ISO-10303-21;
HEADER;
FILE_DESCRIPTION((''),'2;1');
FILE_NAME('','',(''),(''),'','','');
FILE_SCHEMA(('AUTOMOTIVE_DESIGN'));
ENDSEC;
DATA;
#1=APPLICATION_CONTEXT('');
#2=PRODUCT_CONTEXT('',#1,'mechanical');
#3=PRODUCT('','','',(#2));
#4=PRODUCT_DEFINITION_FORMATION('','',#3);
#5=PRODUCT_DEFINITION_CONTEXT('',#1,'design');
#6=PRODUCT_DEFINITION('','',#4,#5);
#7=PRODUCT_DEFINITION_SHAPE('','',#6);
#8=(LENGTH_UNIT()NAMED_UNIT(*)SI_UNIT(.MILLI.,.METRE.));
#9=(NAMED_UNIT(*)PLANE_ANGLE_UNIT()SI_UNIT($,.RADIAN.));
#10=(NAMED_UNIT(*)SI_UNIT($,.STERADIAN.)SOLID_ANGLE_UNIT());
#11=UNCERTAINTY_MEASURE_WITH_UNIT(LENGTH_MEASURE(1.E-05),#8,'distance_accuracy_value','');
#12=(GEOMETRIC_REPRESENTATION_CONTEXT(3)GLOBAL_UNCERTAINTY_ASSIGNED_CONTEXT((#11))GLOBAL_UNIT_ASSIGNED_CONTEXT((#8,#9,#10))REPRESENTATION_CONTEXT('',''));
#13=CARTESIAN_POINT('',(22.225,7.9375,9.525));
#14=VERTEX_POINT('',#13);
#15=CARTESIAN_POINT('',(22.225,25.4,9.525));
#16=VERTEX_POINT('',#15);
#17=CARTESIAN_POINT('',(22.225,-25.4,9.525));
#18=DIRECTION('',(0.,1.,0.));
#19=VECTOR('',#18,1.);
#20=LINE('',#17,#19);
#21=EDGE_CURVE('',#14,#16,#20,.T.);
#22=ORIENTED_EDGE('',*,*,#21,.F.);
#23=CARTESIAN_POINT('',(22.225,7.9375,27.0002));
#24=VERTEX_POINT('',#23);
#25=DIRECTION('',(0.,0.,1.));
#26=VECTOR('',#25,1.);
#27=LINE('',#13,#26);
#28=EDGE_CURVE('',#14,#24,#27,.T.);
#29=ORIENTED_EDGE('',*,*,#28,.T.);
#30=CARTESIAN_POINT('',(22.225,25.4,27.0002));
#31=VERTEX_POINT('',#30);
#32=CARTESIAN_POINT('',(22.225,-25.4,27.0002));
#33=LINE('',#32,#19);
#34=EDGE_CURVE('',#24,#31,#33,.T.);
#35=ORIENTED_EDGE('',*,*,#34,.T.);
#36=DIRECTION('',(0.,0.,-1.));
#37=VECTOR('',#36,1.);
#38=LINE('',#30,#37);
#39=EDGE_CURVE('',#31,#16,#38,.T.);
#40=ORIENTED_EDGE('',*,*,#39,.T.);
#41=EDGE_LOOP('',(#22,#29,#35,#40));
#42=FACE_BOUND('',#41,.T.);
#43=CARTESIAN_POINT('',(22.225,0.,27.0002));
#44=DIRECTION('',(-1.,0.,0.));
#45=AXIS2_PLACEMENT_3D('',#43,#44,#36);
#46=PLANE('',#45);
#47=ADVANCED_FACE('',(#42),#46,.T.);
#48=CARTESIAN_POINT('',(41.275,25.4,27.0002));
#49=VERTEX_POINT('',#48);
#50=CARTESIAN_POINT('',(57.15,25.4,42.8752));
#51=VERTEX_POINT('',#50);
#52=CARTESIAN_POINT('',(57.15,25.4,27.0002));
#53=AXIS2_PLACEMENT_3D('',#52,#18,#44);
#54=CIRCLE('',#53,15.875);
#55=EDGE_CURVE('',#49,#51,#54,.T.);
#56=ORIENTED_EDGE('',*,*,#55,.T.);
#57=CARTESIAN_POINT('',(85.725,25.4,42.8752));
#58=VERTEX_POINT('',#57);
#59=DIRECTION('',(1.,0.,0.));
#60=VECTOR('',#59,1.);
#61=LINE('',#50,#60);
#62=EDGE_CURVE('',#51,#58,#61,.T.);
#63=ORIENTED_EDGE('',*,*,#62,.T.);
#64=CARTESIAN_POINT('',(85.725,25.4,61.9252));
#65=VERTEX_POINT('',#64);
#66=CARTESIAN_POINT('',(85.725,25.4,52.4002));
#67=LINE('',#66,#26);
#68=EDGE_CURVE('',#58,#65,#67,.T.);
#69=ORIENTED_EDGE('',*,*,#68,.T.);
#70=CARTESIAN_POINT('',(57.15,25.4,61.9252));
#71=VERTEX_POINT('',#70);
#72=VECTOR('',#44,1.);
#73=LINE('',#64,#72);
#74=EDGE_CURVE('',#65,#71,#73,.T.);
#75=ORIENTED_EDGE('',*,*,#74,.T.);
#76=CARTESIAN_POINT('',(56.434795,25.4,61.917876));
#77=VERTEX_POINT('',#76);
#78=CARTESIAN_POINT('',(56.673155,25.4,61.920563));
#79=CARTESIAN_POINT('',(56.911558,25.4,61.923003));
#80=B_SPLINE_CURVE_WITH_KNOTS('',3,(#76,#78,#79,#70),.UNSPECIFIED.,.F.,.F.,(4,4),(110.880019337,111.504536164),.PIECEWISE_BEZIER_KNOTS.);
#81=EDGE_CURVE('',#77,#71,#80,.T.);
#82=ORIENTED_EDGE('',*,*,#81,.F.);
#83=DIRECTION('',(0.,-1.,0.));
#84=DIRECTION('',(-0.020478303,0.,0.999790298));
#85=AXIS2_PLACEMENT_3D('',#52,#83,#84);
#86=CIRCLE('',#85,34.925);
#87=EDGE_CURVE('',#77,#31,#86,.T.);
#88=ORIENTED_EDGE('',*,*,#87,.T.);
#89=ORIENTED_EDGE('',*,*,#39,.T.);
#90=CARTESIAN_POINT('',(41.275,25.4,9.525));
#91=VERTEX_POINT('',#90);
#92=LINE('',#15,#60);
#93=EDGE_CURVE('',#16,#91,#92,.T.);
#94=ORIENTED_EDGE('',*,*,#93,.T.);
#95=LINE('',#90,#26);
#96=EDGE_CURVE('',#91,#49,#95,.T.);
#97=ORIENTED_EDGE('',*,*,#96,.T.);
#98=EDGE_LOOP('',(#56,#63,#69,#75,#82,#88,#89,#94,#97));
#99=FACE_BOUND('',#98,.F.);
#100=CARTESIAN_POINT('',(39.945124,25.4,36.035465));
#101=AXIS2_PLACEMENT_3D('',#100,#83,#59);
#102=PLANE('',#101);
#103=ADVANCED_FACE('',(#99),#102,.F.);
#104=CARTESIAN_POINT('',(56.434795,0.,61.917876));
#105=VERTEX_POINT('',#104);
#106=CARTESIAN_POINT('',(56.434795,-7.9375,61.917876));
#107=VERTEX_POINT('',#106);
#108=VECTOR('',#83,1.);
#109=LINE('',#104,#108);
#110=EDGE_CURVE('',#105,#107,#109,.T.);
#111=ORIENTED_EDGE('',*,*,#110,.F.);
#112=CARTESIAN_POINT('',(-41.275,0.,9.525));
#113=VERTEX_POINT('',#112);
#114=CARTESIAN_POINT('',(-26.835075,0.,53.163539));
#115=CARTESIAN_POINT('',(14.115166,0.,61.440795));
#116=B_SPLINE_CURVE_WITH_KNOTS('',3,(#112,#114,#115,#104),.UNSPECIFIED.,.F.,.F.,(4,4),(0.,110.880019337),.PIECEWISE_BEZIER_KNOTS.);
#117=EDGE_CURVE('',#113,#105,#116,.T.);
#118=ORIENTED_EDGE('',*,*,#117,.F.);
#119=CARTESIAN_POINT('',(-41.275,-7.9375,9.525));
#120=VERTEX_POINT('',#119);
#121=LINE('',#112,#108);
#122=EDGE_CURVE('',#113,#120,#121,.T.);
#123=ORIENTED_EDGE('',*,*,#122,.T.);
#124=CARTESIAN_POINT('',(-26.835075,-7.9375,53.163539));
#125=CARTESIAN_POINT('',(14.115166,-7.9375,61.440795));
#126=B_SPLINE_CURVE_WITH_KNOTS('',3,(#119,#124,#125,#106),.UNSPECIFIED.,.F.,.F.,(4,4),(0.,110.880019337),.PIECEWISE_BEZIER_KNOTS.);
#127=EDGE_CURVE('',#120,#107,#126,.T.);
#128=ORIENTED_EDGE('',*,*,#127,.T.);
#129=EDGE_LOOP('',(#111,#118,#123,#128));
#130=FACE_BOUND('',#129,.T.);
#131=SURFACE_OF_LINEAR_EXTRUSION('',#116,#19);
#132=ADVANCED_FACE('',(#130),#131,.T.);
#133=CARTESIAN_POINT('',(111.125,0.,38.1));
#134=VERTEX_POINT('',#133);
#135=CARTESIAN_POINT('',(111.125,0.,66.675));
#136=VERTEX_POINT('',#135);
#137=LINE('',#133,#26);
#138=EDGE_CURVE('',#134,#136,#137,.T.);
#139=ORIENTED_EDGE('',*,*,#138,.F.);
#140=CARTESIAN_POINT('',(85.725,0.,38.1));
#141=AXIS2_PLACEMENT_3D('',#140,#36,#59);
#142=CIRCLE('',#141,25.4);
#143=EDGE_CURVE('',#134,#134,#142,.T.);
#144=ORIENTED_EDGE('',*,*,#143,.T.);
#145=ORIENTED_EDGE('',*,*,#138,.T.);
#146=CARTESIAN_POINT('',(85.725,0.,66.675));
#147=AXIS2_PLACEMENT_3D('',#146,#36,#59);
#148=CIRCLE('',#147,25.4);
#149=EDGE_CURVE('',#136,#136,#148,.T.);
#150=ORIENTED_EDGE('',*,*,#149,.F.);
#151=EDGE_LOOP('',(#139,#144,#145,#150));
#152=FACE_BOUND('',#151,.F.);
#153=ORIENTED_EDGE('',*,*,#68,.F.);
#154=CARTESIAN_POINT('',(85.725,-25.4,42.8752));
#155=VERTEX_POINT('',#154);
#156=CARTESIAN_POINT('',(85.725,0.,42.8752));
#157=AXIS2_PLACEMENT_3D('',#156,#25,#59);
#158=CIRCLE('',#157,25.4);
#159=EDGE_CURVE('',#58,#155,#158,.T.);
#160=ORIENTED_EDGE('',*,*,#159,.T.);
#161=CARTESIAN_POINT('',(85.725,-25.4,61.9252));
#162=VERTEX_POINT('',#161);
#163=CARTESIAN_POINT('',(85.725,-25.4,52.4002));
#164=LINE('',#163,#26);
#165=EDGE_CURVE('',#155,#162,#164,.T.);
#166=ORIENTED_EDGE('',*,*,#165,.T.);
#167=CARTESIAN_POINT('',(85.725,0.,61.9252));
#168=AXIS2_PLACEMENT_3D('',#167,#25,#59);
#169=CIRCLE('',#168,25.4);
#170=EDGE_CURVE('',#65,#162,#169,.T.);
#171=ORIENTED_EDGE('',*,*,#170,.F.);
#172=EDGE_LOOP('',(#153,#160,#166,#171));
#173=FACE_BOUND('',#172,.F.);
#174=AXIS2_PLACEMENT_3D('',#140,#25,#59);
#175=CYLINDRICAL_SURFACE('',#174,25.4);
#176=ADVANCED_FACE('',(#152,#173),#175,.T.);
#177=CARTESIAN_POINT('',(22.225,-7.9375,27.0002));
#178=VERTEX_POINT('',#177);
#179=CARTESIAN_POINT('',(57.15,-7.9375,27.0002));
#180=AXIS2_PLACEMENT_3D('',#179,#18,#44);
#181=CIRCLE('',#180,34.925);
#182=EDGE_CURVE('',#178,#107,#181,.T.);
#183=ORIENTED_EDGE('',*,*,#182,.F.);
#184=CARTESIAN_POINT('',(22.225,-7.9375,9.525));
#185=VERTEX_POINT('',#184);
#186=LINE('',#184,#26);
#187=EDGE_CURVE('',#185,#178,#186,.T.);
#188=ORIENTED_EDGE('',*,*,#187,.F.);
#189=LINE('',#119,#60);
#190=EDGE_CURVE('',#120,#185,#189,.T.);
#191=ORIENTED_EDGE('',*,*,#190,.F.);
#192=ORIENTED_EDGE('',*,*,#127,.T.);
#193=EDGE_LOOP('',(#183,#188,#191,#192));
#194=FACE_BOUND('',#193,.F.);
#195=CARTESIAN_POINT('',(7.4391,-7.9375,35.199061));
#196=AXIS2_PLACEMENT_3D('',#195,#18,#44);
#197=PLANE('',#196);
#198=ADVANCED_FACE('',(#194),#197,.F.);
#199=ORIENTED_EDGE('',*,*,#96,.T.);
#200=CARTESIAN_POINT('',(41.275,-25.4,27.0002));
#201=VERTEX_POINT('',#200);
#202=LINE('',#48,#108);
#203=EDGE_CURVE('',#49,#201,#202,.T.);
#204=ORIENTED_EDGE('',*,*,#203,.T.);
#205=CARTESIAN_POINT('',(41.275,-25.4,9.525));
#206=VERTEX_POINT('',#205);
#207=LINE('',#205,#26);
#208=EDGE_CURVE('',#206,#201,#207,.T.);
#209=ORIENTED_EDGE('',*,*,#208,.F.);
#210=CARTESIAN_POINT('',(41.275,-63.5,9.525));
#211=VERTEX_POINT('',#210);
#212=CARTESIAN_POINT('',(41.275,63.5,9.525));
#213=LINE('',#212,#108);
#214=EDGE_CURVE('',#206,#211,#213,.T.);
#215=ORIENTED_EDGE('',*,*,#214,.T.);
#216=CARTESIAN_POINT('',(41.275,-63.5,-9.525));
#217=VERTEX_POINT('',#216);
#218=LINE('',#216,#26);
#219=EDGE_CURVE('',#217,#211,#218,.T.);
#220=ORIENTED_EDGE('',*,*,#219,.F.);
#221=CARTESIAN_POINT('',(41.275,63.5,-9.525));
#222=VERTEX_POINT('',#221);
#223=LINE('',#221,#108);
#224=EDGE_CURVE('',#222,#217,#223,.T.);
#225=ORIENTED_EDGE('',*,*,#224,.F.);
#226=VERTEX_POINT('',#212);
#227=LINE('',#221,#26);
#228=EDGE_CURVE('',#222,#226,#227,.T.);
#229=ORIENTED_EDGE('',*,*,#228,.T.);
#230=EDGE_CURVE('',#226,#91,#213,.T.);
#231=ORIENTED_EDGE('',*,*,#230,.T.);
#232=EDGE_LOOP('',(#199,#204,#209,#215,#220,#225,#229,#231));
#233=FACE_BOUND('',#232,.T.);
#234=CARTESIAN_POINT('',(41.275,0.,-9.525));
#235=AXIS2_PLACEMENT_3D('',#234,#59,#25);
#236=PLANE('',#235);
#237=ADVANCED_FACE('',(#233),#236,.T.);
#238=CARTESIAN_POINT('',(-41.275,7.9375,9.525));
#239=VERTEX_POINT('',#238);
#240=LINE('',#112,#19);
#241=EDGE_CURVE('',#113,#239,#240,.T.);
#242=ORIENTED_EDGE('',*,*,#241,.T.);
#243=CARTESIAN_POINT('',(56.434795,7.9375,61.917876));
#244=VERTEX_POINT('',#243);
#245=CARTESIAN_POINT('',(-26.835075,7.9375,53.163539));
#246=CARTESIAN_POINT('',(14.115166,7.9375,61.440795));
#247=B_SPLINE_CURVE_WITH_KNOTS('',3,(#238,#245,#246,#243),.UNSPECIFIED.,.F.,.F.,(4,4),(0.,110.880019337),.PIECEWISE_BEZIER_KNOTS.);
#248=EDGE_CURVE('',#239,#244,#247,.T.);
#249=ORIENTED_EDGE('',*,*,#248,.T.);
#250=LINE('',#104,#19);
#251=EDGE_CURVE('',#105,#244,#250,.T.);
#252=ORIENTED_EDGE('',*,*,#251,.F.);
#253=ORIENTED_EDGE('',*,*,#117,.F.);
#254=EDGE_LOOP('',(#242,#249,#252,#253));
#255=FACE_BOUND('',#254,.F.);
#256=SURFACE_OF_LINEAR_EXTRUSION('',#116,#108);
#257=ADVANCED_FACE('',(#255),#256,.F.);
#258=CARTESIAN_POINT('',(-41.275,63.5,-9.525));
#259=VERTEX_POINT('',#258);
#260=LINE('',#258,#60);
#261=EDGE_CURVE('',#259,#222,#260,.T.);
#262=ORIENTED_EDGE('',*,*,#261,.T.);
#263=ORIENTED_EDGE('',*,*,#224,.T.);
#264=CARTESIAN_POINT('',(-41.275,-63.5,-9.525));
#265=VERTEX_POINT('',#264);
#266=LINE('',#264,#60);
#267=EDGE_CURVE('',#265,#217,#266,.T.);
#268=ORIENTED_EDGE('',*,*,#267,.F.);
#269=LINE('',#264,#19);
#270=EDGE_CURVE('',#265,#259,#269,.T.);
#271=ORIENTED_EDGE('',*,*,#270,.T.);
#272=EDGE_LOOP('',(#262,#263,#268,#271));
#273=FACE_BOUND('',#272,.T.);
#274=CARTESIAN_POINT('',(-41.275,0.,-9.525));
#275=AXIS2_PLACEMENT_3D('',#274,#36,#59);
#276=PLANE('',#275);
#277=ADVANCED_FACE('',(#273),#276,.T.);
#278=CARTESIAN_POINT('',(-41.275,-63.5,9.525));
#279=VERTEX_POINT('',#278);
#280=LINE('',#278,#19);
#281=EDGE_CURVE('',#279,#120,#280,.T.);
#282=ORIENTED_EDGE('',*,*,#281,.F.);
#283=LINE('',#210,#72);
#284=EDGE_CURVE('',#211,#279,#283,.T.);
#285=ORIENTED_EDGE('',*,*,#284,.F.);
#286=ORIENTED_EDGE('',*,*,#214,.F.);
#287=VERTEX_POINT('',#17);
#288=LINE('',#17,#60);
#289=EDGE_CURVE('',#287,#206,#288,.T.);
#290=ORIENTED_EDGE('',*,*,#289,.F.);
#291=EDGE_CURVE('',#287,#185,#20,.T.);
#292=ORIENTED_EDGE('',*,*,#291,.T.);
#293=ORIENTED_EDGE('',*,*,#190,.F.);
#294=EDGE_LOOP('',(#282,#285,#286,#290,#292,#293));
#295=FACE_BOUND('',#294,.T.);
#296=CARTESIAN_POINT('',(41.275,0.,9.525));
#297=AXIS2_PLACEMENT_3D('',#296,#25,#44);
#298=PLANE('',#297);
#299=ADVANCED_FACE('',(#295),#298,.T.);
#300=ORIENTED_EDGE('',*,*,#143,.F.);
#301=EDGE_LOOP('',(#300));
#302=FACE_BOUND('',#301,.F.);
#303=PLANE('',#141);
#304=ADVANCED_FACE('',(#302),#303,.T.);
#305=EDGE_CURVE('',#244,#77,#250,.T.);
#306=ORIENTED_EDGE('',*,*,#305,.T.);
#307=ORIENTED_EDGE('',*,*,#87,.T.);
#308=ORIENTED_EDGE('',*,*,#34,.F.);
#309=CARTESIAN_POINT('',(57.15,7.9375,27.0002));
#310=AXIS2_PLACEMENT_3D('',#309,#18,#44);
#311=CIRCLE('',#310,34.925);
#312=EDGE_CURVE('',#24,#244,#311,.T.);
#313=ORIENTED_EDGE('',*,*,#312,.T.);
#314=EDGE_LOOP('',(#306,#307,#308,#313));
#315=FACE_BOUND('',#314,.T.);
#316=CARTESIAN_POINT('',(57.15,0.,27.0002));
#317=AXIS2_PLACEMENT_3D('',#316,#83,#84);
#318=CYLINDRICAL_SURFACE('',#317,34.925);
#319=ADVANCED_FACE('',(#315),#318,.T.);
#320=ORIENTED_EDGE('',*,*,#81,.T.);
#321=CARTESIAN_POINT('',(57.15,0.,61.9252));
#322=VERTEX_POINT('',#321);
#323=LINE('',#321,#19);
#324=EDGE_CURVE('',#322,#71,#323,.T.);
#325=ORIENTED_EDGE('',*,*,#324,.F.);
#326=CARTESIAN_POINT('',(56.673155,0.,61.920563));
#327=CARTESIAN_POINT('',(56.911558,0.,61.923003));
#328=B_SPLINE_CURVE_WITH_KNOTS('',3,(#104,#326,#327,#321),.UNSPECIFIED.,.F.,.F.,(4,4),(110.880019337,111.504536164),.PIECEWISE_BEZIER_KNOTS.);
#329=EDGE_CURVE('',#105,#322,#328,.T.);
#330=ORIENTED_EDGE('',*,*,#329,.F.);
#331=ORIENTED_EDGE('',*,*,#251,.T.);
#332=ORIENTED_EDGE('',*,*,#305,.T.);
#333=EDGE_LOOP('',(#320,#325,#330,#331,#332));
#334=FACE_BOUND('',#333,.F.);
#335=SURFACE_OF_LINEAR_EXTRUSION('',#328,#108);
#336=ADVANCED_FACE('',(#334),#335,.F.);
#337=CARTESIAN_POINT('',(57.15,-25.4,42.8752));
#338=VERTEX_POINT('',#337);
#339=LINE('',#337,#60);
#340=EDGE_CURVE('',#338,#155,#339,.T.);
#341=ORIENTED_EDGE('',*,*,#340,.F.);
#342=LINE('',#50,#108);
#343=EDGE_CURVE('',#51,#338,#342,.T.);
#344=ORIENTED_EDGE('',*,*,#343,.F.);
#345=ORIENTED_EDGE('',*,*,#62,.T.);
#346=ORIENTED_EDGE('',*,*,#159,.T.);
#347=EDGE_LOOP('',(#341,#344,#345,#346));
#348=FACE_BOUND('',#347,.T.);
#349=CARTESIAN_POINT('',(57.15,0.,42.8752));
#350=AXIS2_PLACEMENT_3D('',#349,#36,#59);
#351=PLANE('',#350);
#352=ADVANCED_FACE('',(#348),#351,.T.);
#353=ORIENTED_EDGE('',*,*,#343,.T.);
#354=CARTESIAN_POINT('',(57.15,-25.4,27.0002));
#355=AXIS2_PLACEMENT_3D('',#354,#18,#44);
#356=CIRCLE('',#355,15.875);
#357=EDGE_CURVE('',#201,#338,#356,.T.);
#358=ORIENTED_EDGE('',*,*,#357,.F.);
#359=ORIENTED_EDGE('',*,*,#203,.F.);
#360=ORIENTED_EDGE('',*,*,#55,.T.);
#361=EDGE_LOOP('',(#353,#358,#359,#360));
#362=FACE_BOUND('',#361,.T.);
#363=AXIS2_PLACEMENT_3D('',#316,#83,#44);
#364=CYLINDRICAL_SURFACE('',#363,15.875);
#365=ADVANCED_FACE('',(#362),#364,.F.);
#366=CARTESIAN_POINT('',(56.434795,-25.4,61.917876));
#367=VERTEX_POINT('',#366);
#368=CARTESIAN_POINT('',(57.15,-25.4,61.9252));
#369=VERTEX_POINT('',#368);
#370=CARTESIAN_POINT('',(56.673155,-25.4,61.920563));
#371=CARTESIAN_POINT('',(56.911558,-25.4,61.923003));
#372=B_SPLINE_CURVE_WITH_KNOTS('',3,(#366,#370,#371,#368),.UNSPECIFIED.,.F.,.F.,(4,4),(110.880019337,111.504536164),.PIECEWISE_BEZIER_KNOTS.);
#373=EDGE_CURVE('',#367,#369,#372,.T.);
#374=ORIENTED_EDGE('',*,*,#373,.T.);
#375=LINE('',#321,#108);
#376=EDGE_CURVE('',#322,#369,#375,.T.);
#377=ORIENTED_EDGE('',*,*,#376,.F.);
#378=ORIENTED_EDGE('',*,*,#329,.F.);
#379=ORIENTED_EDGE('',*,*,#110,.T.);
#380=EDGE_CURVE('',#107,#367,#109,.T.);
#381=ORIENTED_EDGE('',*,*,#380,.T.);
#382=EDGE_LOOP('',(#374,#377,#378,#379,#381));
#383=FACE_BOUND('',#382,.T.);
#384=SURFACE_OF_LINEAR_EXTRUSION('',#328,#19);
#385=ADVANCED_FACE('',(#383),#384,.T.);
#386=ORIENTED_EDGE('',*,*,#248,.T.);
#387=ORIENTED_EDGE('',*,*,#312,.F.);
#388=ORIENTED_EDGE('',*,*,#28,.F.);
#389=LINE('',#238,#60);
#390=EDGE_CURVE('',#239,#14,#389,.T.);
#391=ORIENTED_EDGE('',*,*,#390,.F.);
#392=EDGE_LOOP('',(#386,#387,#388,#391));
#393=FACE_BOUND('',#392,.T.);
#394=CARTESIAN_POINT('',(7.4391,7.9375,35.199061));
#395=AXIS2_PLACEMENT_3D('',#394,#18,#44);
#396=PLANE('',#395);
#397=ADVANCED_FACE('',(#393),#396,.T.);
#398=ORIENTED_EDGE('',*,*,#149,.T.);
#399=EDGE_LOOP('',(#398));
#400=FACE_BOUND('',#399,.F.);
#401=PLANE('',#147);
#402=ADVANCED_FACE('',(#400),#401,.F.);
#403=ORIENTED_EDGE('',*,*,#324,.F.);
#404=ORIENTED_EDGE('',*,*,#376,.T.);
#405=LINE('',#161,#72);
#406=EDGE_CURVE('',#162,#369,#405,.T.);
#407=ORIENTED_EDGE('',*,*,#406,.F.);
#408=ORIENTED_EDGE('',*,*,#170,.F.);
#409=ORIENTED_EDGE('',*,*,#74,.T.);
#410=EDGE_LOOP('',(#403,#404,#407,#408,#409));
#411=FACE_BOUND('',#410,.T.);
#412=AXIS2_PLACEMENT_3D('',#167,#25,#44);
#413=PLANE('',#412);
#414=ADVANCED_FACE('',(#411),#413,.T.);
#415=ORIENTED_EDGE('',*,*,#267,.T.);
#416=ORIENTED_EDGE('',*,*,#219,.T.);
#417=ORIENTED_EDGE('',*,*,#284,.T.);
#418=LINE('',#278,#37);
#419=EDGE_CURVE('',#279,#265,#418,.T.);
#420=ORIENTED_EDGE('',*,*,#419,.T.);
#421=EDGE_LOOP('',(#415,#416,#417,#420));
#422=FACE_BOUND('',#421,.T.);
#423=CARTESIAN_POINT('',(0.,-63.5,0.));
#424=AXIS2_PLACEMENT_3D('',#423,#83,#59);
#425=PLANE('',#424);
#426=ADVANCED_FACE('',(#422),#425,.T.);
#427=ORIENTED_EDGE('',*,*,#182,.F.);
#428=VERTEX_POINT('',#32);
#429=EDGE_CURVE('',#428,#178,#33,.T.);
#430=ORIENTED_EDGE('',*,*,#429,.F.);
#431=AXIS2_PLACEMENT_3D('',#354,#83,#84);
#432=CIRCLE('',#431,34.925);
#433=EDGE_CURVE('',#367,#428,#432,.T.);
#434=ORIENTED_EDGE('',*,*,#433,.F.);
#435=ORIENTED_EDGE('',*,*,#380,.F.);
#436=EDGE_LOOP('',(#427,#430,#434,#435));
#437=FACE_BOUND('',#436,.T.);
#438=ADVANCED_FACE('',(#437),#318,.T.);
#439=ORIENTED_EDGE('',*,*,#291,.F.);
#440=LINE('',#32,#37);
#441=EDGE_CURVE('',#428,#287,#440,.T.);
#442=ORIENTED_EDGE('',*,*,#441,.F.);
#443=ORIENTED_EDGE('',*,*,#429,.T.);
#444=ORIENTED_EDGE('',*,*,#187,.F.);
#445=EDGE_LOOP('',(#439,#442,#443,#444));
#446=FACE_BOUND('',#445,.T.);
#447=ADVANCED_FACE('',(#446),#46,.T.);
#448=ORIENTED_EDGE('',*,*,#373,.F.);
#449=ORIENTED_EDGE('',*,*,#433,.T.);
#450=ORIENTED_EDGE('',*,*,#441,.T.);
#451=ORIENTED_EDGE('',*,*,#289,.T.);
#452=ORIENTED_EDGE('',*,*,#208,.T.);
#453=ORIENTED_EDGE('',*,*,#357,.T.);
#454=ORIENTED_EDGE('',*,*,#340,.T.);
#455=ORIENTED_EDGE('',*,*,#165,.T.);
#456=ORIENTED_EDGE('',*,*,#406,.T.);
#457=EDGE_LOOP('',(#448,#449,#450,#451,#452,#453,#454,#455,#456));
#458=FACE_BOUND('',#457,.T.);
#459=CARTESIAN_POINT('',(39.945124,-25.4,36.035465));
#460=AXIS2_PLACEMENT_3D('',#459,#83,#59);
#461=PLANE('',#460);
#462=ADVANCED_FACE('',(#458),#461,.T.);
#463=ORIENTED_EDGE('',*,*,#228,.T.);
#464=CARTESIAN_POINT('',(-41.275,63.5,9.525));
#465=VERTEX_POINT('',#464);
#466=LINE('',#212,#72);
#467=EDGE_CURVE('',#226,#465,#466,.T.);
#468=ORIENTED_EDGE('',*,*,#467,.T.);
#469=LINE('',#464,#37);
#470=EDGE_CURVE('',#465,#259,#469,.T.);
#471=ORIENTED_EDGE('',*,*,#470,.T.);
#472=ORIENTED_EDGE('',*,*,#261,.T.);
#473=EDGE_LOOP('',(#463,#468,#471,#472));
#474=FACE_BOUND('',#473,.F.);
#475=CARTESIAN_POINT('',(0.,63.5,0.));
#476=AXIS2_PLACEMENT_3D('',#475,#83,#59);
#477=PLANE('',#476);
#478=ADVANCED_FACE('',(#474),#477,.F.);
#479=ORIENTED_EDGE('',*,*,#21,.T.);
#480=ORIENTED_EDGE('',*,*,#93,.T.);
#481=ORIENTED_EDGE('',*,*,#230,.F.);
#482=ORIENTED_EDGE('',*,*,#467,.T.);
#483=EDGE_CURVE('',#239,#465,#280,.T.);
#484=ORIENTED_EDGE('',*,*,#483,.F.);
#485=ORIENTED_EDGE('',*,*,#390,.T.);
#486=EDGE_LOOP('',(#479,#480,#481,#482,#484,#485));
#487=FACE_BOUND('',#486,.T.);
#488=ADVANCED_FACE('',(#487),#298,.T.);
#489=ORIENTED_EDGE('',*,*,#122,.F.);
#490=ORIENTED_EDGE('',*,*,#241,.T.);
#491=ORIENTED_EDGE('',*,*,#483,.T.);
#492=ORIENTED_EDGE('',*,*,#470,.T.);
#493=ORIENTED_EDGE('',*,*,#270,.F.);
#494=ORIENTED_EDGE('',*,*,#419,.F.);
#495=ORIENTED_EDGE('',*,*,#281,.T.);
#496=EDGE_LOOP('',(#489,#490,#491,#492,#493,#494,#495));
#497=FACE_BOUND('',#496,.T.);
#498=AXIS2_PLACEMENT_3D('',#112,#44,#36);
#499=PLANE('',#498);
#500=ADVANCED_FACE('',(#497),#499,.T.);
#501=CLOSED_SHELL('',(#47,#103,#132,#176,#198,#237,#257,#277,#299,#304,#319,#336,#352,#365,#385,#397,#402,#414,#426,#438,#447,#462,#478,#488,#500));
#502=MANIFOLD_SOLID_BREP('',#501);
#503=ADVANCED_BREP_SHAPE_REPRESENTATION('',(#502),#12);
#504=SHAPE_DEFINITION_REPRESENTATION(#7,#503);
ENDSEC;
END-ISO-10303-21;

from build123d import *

# Parameters (mm, degrees)
F1_DEPTH = 63.5
F0_W     = 25.4
F0_H     = 19.05
F2_DEPTH = 25.4
F3_DEPTH = 7.9375


with BuildPart() as f1:
    # F0 (on Front) → F1 (new body, symmetric)
    with BuildSketch(Plane.XZ):
        Polygon((-41.275, -9.525), (41.275, -9.525), (41.275, 9.525), (22.225, 9.525), (-41.275, 9.525), align=None)
    extrude(amount=F1_DEPTH, both=True)

    # F0 (on Front) → F2 (join, symmetric)
    with BuildSketch(Plane.XZ):
        with BuildLine():
            Line((22.225, 9.525), (41.275, 9.525))
            Line((41.275, 9.525), (41.275, 27.0002))
            ThreePointArc((41.275, 27.0002), (45.9246798487, 38.2255201513), (57.15, 42.8752))
            Line((57.15, 42.8752), (60.325, 42.8752))
            Line((60.325, 42.8752), (60.325, 61.9252))
            Line((60.325, 61.9252), (57.15, 61.9252))
            add(Edge.make_bspline(
                [(56.4347952679, 61.9178761425), (56.6731549008, 61.920563236), (56.9115579755, 61.9230028803), (57.15, 61.9252)],
                knots=[110.8800193366, 110.8800193366, 110.8800193366, 110.8800193366, 111.5045361635, 111.5045361635, 111.5045361635, 111.5045361635], degree=3))
            ThreePointArc((56.4347952679, 61.9178761425), (32.2027140728, 51.4417332961), (22.225, 27.0002))
            Line((22.225, 27.0002), (22.225, 9.525))
        make_face()
        with Locations((73.025, 52.4002)):
            Rectangle(F0_W, F0_H)
    extrude(amount=F2_DEPTH, both=True)

    # F0 (on Front) → F3 (join, symmetric)
    with BuildSketch(Plane.XZ):
        with BuildLine():
            add(Edge.make_bspline(
                [(-41.275, 9.525), (-26.8350750497, 53.1635386099), (14.1151658157, 61.4407953484), (56.4347952679, 61.9178761425)],
                knots=[0, 0, 0, 0, 110.8800193366, 110.8800193366, 110.8800193366, 110.8800193366], degree=3))
            Line((-41.275, 9.525), (22.225, 9.525))
            Line((22.225, 9.525), (22.225, 27.0002))
            ThreePointArc((22.225, 27.0002), (32.2027140728, 51.4417332961), (56.4347952679, 61.9178761425))
        make_face()
    extrude(amount=F3_DEPTH, both=True)

    # F0 (on Front) → F4 (revolve)
    with BuildSketch(Plane.XZ):
        Polygon((85.725, 61.9252), (85.725, 42.8752), (85.725, 38.1), (111.125, 38.1), (111.125, 66.675), (85.725, 66.675), align=None)
    revolve(axis=Axis((85.725, 0, 52.3875), (0, 0, -1)))


solid = f1.part
